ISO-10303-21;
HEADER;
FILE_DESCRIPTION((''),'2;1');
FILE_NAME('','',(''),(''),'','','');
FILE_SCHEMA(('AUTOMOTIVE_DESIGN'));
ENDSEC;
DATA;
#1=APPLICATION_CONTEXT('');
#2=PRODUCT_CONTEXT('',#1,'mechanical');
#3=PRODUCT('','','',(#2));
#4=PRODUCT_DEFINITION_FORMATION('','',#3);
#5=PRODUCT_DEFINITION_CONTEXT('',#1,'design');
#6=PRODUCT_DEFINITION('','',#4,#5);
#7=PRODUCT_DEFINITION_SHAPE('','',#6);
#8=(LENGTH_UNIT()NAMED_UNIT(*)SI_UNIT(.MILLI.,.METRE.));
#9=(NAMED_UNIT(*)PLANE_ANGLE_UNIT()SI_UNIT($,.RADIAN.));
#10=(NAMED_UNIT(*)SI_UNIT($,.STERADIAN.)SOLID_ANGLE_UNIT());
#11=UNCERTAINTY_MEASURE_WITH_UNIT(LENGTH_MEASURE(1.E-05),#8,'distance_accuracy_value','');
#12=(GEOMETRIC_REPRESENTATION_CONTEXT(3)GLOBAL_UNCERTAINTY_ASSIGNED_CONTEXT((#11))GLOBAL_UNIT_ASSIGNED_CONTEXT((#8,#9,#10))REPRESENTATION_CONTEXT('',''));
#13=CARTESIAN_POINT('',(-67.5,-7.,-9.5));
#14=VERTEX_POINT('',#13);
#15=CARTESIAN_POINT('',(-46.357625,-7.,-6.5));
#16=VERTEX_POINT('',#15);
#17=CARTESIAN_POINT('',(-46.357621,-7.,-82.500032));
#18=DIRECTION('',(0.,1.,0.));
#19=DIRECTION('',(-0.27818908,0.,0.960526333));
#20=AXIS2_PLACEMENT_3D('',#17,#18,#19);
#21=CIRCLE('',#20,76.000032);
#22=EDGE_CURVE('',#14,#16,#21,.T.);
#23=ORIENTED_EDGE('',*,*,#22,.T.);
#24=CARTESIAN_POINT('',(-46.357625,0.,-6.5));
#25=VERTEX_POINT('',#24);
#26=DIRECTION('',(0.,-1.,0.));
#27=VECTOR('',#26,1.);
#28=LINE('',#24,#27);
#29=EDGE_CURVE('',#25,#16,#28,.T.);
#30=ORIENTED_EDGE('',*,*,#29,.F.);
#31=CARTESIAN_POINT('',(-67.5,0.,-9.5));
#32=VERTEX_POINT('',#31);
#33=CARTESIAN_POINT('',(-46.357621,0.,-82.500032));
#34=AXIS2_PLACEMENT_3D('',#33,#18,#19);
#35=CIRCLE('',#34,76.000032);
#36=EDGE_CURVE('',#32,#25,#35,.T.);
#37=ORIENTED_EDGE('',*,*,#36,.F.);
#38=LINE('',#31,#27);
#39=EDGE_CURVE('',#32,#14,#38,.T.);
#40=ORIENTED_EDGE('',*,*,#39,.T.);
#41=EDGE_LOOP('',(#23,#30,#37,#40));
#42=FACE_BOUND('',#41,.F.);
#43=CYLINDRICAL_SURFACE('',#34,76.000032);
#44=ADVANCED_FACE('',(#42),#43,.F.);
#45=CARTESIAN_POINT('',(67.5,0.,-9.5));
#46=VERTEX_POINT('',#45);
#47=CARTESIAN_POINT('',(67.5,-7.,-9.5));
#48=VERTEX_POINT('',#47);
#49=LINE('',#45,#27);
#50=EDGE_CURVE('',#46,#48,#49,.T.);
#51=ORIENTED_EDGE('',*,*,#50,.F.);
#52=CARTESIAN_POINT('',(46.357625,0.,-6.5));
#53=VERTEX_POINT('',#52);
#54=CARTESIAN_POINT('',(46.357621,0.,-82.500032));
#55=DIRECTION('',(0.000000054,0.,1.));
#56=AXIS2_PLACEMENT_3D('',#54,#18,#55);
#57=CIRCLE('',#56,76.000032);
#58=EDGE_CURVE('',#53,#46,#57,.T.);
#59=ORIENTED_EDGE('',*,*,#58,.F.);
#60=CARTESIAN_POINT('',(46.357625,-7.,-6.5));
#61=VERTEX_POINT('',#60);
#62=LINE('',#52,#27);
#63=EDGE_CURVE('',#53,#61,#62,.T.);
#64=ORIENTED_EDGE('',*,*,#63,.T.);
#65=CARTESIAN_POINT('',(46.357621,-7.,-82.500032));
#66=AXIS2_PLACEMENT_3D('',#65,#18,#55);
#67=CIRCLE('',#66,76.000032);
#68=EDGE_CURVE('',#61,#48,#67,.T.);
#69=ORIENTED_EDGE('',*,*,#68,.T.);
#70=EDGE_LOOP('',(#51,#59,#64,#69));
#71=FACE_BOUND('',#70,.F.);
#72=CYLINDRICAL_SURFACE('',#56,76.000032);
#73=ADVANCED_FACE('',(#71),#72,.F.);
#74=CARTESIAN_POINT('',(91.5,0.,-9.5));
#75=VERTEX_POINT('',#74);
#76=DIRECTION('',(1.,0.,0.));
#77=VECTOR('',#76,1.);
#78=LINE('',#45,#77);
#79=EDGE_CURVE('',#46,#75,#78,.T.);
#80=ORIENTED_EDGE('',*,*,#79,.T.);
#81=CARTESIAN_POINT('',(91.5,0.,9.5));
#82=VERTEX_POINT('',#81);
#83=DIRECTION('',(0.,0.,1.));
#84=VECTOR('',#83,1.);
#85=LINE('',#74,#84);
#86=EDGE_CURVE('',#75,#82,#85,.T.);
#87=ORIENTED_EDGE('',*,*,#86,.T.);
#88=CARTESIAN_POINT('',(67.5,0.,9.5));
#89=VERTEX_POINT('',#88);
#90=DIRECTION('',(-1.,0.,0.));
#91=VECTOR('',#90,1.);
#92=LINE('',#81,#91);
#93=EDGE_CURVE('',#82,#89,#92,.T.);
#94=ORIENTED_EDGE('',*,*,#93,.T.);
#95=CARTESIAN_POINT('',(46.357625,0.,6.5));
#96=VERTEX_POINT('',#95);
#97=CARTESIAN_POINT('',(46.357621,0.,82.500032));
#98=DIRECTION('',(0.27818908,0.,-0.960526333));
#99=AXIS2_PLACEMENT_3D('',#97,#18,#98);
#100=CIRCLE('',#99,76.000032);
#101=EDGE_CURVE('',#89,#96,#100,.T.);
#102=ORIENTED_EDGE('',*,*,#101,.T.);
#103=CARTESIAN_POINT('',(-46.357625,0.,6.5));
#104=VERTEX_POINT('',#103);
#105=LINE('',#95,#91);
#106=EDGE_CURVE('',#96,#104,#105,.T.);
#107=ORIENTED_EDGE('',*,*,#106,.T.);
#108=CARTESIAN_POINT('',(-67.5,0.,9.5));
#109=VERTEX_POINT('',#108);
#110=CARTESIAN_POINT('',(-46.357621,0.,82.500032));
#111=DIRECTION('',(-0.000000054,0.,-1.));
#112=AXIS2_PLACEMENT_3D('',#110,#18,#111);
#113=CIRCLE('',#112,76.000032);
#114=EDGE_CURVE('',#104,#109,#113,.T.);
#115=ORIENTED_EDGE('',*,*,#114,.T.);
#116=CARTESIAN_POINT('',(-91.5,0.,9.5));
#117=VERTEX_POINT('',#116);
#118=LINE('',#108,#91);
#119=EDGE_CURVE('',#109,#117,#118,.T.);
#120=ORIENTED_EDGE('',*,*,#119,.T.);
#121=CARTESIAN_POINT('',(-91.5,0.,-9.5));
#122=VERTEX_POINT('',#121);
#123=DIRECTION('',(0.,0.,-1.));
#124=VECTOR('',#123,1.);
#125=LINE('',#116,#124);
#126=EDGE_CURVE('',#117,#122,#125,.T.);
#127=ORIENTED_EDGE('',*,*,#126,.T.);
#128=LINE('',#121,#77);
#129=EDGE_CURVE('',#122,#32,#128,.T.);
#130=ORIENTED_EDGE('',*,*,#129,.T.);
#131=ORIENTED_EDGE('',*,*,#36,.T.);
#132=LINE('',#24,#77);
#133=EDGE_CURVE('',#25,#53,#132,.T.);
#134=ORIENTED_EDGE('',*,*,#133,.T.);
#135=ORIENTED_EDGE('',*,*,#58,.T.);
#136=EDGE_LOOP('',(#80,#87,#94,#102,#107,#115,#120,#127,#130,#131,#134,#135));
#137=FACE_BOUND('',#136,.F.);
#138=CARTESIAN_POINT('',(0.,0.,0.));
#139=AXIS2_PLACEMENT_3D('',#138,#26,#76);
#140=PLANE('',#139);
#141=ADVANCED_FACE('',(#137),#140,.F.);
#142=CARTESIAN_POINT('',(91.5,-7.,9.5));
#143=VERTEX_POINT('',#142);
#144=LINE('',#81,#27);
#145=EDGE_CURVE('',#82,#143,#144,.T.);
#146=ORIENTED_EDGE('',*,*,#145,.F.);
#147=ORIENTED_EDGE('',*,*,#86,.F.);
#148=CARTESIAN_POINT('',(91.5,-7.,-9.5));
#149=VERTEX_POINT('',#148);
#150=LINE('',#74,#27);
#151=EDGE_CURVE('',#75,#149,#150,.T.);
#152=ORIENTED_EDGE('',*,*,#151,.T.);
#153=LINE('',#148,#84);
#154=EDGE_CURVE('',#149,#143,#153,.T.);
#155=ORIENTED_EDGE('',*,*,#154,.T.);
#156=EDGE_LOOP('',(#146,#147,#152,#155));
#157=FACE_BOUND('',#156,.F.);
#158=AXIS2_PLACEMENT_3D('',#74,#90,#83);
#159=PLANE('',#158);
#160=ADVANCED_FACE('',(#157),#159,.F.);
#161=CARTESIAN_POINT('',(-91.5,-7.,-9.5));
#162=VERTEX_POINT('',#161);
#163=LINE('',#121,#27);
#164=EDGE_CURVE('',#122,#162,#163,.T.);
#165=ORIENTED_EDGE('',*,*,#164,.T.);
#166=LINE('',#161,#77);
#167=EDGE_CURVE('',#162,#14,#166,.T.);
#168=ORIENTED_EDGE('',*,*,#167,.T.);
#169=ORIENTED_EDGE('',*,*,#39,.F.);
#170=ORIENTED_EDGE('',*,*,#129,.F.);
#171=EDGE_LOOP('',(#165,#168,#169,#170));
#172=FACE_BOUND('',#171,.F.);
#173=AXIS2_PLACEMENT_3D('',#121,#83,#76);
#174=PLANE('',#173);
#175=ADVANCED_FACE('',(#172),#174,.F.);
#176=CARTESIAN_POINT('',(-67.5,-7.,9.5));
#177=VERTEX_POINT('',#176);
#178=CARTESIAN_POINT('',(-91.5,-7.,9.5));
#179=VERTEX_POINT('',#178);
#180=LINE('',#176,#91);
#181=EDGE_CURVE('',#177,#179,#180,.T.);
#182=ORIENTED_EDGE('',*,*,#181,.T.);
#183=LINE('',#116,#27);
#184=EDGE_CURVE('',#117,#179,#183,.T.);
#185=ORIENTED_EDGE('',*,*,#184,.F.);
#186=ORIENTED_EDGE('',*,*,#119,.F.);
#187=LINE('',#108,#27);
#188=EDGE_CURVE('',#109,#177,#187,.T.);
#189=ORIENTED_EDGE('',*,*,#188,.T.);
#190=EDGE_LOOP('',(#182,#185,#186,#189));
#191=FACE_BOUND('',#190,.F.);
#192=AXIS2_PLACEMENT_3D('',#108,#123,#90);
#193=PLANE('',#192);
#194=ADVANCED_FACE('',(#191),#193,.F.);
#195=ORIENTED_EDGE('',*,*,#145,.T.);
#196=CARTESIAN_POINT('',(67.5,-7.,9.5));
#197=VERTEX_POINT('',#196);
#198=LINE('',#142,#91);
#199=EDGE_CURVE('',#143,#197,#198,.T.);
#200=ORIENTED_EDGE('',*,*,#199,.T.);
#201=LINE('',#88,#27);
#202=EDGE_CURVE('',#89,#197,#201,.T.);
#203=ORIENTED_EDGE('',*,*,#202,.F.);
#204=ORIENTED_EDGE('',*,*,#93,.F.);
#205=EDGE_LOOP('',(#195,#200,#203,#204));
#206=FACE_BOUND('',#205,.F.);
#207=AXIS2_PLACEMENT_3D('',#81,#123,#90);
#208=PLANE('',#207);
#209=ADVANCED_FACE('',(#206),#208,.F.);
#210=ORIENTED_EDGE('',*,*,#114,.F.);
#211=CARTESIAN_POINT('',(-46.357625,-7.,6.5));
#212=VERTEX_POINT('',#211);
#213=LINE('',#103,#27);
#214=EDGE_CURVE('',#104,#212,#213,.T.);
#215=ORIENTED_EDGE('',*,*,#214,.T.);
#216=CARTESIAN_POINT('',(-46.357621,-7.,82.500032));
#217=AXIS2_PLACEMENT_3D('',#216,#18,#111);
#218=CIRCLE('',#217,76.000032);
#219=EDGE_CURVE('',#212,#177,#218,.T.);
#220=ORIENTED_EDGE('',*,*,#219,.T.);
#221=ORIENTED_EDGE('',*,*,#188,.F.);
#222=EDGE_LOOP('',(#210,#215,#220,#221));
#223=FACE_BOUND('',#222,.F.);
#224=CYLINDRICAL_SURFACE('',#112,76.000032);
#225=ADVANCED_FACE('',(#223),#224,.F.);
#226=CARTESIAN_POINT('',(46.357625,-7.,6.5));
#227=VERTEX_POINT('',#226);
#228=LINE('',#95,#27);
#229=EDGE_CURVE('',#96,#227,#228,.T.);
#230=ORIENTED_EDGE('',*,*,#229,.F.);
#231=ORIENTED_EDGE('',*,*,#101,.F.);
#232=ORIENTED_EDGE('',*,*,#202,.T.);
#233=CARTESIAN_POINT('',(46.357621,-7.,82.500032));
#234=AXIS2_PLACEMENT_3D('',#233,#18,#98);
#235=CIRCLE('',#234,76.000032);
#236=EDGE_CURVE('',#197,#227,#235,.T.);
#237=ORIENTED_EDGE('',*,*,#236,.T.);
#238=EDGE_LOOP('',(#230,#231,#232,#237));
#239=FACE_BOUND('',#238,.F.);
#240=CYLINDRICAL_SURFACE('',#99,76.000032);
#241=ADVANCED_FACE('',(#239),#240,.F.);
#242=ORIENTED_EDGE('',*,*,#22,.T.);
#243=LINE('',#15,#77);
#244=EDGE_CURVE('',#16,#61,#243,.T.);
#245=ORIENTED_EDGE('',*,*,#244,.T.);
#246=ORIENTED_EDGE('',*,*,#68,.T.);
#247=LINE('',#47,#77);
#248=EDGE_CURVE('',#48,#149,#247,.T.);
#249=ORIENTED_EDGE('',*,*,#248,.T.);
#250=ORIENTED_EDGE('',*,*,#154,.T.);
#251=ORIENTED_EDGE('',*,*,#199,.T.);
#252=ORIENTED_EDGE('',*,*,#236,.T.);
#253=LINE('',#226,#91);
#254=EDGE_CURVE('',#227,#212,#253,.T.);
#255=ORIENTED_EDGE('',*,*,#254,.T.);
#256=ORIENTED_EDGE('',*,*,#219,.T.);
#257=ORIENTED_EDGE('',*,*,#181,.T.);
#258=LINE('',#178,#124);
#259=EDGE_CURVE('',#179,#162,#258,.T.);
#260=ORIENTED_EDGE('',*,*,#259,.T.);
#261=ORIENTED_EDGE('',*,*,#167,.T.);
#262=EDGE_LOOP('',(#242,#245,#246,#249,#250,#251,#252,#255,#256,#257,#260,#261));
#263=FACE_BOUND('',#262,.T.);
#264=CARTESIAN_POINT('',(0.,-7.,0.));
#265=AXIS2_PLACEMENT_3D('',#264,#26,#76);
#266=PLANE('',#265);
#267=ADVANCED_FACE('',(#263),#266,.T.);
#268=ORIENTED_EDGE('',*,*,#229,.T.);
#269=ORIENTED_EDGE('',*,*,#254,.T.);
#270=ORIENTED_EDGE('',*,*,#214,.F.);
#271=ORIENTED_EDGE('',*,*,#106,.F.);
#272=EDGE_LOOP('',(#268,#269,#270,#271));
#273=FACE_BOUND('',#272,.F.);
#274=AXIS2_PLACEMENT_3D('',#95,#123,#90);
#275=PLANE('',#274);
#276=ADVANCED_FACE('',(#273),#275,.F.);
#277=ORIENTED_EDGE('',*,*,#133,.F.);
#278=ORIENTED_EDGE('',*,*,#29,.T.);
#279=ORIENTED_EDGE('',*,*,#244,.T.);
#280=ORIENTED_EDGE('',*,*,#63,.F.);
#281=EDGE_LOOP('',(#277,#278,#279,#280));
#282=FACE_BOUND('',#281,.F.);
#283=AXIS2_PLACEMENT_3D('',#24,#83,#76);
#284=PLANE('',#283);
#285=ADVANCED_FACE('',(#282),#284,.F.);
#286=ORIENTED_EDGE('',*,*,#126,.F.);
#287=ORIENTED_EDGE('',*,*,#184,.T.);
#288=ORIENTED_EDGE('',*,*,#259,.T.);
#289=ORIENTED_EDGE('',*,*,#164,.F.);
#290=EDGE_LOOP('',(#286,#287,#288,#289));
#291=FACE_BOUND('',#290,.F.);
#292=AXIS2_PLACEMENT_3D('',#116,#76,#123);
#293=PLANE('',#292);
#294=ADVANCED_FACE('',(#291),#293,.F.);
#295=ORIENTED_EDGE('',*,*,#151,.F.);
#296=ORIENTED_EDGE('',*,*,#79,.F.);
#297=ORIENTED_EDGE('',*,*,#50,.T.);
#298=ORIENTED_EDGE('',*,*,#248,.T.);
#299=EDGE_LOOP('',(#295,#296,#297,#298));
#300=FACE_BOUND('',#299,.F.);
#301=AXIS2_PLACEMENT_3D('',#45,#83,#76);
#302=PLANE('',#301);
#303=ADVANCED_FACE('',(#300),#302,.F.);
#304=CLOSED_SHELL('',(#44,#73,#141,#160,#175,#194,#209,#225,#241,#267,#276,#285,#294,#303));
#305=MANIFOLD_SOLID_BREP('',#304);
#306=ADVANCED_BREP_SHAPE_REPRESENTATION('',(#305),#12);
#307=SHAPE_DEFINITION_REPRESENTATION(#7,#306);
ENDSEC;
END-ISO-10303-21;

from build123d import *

# Parameters (mm, degrees)
F1_DEPTH = 7


with BuildPart() as f1:
    # F0 (on Front) → F1 (new body)
    with BuildSketch(Plane.XZ):
        with BuildLine():
            Line((46.357625, 6.5), (0, 6.5))
            Line((0, 6.5), (-46.357625, 6.5))
            ThreePointArc((-46.357625, 6.5), (-57.034704, 7.253738), (-67.5, 9.5))
            Line((-67.5, 9.5), (-91.5, 9.5))
            Line((-91.5, 9.5), (-91.5, -9.5))
            Line((-91.5, -9.5), (-67.5, -9.5))
            ThreePointArc((-67.5, -9.5), (-57.034704, -7.253738), (-46.357625, -6.5))
            Line((-46.357625, -6.5), (0, -6.5))
            Line((0, -6.5), (46.357625, -6.5))
            ThreePointArc((46.357625, -6.5), (57.034704, -7.253738), (67.5, -9.5))
            Line((67.5, -9.5), (91.5, -9.5))
            Line((91.5, -9.5), (91.5, 9.5))
            Line((91.5, 9.5), (67.5, 9.5))
            ThreePointArc((67.5, 9.5), (57.034704, 7.253738), (46.357625, 6.5))
        make_face()
    extrude(amount=F1_DEPTH)


solid = f1.part
